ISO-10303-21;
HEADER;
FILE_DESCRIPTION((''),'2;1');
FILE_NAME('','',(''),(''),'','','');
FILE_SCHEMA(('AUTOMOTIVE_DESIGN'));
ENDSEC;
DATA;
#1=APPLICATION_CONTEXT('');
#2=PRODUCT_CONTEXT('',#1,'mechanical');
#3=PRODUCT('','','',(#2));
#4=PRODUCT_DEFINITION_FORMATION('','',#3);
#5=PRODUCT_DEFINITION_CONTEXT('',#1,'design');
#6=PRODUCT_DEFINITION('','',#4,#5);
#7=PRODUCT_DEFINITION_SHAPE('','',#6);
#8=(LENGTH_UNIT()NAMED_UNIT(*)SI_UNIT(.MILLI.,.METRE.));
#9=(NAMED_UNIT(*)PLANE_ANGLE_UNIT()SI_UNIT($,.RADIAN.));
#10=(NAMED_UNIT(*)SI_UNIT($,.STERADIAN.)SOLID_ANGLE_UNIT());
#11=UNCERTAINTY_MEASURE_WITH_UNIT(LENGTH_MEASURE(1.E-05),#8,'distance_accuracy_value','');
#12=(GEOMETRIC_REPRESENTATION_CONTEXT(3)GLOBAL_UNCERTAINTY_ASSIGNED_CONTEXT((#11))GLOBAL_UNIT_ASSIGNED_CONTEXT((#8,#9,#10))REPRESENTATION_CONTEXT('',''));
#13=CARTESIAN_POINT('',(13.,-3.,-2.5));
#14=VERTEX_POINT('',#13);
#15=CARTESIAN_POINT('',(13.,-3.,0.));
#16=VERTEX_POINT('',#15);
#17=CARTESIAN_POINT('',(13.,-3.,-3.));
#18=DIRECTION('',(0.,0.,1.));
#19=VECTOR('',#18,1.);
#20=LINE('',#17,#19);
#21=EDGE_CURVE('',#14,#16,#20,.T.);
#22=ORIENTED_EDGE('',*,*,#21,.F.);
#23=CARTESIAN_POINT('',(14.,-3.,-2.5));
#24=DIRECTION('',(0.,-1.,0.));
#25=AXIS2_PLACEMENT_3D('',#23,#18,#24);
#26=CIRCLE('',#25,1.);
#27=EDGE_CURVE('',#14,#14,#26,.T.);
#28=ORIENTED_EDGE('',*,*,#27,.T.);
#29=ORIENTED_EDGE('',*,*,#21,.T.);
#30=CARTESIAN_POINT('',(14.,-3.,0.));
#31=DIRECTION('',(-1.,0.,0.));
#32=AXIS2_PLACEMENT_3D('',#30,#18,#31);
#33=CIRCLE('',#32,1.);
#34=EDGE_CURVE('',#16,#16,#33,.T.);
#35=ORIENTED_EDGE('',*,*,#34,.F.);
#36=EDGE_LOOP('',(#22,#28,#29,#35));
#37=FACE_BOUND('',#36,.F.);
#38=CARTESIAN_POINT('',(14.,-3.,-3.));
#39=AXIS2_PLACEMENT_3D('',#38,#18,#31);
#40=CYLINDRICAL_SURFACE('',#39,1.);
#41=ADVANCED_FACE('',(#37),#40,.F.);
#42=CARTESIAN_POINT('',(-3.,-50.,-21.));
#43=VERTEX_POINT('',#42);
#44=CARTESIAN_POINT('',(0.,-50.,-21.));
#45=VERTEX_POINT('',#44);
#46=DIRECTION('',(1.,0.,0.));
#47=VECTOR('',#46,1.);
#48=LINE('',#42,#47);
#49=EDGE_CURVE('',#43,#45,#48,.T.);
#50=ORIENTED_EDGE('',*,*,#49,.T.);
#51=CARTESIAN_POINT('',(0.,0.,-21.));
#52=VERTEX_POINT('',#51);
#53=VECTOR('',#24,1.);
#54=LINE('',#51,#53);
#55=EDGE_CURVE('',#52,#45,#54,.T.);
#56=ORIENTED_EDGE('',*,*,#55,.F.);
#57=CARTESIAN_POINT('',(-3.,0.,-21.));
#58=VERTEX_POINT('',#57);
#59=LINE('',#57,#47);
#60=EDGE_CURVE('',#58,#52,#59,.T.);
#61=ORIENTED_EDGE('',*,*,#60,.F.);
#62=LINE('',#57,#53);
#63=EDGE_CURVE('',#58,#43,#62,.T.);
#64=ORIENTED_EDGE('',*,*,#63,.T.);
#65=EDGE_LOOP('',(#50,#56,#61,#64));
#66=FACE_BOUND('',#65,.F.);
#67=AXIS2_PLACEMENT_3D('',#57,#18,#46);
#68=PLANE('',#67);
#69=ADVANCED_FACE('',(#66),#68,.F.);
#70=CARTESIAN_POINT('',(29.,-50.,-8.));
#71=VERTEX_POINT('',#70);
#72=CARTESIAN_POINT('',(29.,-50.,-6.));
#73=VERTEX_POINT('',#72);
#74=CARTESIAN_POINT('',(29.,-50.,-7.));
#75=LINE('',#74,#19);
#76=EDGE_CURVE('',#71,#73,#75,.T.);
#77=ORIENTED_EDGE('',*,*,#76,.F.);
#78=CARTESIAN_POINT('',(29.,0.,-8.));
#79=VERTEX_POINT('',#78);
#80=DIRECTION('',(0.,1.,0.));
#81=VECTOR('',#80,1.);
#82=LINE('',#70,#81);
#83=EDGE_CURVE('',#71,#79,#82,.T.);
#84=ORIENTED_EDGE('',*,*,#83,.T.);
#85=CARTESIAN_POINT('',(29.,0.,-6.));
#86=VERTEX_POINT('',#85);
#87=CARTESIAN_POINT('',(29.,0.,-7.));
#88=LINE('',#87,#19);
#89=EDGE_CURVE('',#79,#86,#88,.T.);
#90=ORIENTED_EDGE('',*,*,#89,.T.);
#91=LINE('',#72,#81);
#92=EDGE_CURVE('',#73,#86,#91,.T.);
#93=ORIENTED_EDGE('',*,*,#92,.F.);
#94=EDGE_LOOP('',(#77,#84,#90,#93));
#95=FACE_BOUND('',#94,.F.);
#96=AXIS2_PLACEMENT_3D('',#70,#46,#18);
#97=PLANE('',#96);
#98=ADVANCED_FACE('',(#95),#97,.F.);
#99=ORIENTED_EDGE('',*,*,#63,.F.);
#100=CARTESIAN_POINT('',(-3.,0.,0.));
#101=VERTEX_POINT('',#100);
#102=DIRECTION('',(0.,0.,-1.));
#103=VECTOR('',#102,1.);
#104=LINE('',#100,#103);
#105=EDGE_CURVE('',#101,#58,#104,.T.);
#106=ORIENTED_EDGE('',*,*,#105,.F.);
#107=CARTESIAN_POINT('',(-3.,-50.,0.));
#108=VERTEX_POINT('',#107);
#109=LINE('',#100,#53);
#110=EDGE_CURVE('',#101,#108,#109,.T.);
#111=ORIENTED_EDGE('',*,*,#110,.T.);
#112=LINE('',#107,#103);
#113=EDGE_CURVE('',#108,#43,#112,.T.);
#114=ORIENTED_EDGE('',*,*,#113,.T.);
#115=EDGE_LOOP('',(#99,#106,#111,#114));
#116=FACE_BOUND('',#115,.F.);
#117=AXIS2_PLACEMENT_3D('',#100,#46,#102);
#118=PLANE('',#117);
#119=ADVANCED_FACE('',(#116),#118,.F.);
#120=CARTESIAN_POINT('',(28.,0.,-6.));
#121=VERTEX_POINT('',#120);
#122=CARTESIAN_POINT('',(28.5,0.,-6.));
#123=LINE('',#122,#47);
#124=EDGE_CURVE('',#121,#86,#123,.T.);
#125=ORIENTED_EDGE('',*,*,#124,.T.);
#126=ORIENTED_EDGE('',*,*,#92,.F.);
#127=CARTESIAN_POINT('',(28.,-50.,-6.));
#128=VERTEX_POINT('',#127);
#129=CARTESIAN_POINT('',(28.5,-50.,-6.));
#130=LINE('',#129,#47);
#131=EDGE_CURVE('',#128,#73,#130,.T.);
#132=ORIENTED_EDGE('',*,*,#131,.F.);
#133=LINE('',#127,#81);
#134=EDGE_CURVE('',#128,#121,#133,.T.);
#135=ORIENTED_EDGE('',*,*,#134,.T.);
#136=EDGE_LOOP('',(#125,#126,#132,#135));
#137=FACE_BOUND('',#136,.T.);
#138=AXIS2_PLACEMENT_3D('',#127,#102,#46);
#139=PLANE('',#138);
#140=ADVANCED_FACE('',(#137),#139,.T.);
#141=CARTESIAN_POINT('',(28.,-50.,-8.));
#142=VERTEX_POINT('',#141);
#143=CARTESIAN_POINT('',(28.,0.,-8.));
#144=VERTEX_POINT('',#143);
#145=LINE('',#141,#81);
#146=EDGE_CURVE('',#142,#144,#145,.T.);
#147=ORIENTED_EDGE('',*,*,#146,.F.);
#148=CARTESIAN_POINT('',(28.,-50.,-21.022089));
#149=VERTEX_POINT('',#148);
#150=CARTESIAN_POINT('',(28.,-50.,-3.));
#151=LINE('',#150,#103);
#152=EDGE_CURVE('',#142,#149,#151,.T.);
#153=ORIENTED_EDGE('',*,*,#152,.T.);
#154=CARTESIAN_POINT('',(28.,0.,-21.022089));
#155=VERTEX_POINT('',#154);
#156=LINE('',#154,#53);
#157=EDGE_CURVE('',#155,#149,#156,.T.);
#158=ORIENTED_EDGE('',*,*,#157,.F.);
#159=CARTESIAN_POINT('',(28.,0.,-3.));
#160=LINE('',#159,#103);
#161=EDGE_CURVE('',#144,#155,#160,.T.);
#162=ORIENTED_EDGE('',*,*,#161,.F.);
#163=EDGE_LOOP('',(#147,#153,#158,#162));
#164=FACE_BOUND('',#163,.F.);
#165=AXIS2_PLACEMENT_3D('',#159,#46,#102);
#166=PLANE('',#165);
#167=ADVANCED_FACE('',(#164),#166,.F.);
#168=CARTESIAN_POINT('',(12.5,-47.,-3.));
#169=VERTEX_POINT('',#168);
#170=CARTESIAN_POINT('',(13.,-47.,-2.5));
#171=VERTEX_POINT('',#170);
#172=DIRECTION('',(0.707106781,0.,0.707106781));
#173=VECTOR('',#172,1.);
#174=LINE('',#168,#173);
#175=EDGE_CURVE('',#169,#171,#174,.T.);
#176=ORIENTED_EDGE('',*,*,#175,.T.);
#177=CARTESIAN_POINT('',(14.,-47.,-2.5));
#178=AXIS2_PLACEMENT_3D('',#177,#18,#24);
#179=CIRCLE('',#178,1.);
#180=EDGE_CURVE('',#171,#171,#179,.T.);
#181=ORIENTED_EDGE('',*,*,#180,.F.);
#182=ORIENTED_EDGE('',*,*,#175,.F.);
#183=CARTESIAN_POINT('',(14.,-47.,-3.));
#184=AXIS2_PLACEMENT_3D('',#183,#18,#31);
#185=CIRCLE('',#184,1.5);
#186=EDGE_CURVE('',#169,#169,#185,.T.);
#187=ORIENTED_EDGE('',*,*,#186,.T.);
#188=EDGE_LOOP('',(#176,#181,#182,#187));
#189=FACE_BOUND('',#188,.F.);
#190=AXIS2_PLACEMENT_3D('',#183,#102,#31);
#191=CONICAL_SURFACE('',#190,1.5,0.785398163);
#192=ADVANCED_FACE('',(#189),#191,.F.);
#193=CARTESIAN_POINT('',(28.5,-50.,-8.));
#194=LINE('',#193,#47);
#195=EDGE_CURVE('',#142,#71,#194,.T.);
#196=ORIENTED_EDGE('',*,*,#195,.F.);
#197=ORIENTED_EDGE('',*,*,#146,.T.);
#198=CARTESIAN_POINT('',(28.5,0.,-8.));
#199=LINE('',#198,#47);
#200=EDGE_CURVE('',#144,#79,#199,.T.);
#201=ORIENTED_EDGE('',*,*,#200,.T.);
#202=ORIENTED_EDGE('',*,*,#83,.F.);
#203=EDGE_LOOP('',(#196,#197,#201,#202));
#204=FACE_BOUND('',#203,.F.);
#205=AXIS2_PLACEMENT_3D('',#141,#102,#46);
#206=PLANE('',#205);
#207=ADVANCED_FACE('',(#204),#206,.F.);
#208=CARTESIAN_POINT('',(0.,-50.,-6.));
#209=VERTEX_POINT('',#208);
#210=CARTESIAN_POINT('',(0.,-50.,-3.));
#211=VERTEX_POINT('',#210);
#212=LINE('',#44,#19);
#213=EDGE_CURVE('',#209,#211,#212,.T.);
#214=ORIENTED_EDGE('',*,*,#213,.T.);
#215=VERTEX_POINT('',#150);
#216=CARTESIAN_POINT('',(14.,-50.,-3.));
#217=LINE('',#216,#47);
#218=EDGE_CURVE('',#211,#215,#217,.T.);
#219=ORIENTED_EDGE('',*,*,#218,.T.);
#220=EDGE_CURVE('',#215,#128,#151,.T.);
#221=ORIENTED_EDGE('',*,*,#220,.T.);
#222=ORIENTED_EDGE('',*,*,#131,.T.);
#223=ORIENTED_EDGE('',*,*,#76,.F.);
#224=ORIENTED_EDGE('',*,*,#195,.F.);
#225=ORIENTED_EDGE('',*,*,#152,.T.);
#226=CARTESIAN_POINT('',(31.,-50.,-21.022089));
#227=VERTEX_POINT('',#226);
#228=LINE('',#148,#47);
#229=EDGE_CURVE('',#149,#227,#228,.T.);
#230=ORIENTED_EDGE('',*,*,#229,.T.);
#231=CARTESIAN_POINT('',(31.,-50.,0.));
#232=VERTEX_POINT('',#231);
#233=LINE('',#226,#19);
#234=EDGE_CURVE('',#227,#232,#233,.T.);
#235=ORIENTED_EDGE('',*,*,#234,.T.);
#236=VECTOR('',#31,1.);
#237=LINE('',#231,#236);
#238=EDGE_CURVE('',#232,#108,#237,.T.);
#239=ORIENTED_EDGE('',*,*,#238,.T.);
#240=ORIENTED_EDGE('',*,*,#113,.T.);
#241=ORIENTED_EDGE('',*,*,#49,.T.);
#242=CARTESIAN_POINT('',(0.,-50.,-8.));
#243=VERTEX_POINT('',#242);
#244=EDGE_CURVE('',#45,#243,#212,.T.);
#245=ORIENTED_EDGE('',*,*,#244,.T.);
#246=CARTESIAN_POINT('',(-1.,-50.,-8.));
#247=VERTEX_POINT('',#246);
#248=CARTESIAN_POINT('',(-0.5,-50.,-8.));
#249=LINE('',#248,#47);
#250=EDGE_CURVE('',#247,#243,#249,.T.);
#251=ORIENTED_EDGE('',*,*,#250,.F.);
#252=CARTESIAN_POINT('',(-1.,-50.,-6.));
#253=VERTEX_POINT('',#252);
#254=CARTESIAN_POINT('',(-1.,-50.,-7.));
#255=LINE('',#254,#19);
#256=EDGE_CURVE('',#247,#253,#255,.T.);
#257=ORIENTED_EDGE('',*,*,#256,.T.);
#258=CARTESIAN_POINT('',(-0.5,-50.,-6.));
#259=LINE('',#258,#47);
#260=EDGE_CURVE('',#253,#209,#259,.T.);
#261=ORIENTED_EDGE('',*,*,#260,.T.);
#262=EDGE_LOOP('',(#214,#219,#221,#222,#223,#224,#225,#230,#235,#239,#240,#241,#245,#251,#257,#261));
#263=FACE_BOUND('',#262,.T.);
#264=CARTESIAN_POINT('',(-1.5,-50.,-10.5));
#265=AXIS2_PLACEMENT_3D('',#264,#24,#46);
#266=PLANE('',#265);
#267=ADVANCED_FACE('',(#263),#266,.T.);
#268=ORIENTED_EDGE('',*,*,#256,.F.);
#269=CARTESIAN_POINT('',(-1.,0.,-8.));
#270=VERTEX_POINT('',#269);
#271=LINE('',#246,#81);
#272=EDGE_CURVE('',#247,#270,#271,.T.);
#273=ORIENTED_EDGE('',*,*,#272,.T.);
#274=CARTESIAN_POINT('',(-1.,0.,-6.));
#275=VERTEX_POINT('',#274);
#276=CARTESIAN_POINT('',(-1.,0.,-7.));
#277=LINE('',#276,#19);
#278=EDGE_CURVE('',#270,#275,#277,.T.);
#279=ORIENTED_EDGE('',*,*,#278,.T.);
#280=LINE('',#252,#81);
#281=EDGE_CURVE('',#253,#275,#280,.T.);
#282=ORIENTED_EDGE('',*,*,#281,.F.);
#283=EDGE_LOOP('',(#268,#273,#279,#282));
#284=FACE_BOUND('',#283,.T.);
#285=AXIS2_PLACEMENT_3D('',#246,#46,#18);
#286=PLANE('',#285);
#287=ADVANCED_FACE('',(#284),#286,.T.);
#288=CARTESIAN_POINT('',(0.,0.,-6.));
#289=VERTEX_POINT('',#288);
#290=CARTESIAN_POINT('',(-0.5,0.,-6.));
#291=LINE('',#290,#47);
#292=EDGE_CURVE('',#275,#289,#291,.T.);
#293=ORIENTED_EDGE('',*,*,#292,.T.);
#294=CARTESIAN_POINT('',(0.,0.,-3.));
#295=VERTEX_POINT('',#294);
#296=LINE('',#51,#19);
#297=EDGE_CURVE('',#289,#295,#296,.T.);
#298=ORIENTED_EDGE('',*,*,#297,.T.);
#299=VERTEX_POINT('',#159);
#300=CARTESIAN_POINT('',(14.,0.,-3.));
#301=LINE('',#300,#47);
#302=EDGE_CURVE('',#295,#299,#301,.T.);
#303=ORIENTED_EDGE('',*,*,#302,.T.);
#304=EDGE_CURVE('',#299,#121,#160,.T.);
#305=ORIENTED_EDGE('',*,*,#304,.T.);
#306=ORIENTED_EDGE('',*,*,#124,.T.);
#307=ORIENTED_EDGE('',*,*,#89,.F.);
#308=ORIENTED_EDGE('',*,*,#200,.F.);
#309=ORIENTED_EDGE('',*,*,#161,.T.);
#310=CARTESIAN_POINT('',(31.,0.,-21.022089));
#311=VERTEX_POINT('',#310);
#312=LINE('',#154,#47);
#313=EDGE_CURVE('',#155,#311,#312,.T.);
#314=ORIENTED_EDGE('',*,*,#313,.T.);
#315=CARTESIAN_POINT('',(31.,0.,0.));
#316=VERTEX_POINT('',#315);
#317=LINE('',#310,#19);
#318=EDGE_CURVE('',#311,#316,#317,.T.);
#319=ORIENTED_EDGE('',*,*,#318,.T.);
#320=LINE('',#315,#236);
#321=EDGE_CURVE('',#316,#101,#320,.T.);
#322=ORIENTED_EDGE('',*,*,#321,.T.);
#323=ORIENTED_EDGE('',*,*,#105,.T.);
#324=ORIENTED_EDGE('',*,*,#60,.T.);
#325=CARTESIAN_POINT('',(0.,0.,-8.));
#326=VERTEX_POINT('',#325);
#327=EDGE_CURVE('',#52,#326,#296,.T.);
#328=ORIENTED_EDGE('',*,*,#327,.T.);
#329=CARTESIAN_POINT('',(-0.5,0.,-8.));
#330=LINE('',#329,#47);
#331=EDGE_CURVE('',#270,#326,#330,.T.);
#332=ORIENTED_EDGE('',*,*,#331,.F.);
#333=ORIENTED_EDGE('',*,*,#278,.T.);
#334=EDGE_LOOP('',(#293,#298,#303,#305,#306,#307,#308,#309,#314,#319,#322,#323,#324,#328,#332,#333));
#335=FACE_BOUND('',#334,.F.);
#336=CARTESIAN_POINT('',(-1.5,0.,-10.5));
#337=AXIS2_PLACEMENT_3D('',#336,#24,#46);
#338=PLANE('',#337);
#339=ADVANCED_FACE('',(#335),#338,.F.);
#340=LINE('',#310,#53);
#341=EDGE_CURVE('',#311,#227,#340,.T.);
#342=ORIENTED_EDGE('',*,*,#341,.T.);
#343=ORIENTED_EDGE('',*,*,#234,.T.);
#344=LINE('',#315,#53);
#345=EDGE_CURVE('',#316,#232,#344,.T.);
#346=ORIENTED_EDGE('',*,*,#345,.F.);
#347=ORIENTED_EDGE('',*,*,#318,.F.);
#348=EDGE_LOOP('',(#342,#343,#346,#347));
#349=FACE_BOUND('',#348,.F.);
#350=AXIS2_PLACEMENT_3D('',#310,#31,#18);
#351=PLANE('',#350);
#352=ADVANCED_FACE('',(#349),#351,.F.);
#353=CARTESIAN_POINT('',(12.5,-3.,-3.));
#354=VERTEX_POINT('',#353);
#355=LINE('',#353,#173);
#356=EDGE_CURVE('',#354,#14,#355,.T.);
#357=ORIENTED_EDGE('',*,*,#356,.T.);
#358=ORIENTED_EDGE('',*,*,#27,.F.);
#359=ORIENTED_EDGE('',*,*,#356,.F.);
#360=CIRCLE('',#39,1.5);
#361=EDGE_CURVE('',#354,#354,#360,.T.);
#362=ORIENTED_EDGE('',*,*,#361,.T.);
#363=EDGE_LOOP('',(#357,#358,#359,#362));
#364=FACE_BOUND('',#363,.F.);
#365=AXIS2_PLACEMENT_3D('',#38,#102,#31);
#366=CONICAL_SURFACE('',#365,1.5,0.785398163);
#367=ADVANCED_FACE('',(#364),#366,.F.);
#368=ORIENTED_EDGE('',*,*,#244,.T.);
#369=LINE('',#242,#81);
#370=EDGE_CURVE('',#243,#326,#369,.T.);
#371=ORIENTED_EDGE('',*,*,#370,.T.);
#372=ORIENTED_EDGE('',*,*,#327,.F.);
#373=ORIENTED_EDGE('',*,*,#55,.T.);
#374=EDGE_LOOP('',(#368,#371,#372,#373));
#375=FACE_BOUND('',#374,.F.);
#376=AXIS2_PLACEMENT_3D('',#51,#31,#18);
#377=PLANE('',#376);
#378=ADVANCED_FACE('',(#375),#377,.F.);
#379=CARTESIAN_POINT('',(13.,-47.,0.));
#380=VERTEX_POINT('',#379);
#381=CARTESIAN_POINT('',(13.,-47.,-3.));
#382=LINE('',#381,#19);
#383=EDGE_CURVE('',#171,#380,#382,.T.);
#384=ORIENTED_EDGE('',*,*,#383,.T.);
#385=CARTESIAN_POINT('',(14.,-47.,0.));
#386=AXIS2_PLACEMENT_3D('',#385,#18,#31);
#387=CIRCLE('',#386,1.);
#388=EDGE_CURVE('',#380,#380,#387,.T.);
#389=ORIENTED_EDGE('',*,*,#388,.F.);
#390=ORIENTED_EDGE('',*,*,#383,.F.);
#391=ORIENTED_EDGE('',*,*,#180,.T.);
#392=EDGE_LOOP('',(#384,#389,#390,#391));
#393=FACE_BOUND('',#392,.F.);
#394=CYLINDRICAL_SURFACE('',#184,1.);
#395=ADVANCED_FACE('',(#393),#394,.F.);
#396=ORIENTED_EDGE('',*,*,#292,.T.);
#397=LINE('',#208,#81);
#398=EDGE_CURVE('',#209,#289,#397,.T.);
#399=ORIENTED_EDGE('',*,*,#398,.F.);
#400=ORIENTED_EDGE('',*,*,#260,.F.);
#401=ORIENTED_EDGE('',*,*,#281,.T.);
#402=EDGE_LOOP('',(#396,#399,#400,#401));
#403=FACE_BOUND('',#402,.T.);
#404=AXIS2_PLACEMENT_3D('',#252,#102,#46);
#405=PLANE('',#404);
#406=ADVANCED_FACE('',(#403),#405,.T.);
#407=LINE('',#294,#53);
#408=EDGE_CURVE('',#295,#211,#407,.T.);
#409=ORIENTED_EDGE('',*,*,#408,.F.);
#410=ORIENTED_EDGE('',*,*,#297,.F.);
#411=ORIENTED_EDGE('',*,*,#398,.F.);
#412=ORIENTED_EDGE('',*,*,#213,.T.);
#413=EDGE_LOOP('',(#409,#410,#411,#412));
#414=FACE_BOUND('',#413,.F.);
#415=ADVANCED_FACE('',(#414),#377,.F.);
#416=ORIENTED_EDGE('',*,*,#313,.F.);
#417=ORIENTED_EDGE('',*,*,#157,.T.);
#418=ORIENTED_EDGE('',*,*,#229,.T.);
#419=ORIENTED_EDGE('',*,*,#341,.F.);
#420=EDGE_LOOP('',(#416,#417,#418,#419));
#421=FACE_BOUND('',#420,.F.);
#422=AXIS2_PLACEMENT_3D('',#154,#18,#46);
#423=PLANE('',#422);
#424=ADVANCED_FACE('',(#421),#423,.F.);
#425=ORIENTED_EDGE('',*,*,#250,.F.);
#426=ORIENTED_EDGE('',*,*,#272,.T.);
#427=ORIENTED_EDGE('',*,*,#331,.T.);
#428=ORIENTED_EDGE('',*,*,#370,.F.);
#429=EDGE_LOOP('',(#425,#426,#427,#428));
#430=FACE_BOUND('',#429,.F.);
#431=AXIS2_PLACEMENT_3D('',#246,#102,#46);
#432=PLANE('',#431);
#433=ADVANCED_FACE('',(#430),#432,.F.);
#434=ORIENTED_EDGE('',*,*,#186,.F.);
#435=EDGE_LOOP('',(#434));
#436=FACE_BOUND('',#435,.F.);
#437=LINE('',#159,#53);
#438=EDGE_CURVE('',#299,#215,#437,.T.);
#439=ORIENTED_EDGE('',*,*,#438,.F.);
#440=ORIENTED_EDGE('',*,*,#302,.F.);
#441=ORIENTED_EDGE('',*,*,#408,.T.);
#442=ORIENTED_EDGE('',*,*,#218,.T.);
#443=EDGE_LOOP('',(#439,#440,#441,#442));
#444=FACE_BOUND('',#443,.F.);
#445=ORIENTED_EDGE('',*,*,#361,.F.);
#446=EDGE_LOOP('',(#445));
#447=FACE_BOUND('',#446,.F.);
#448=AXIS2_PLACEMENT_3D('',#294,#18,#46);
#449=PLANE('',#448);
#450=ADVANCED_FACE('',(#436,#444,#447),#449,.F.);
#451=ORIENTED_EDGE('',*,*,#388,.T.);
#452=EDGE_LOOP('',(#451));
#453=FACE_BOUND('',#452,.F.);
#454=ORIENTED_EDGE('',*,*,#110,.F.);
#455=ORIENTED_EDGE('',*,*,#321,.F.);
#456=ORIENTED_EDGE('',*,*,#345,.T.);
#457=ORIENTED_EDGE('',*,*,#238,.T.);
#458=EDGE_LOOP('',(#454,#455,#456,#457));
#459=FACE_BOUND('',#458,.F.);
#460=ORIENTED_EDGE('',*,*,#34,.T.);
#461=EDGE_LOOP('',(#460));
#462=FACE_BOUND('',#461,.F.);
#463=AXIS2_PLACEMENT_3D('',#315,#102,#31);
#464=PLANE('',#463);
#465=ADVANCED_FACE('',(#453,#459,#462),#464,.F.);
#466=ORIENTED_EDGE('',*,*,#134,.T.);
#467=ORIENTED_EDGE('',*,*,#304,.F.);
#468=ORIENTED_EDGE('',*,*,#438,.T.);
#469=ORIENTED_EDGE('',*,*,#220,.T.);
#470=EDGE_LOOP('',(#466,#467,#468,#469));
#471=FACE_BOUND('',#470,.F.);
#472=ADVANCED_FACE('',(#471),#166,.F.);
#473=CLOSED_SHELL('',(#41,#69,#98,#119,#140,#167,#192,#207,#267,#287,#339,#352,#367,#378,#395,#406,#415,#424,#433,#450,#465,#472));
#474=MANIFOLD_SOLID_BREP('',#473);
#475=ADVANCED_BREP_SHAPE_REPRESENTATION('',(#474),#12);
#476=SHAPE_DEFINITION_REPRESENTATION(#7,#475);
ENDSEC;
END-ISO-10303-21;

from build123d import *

# Parameters (mm, degrees)
F0_W           = 28
F0_H           = 3
F1_DEPTH       = 50
F2_W           = 1
F2_H           = 2
F3_DEPTH       = 50
F5_D           = 2
F5_CSINK_D     = 3
F5_CSINK_ANGLE = 90
F6_D           = 2
F6_CSINK_D     = 3
F6_CSINK_ANGLE = 90


with BuildPart() as f1:
    # F0 (on Front) → F1 (new body)
    with BuildSketch(Plane.XZ):
        Polygon((0, -3), (0, 0), (-3, 0), (-3, -21), (0, -21), align=None)
        with Locations((14, -1.5)):
            Rectangle(F0_W, F0_H)
        Polygon((31, 0), (28, 0), (28, -3), (28, -21.022089), (31, -21.022089), align=None)
    extrude(amount=F1_DEPTH)

    # F2 (on face) → F3 (cut)
    with BuildSketch(Plane.XZ.offset(50)):
        with Locations((-0.5, -7)):
            Rectangle(F2_W, F2_H)
        with Locations((28.5, -7)):
            Rectangle(F2_W, F2_H)
    extrude(amount=-F3_DEPTH, mode=Mode.SUBTRACT)

    # F5 (through all)
    with Locations(Plane(origin=(0, 0, -3), x_dir=(1, 0, 0), z_dir=(0, 0, -1))):
        with Locations((14, 47)):
            CounterSinkHole(F5_D / 2, F5_CSINK_D / 2, counter_sink_angle=F5_CSINK_ANGLE)

    # F6 (through all)
    with Locations(Plane(origin=(0, 0, -3), x_dir=(1, 0, 0), z_dir=(0, 0, -1))):
        with Locations((14, 3)):
            CounterSinkHole(F6_D / 2, F6_CSINK_D / 2, counter_sink_angle=F6_CSINK_ANGLE)


solid = f1.part
